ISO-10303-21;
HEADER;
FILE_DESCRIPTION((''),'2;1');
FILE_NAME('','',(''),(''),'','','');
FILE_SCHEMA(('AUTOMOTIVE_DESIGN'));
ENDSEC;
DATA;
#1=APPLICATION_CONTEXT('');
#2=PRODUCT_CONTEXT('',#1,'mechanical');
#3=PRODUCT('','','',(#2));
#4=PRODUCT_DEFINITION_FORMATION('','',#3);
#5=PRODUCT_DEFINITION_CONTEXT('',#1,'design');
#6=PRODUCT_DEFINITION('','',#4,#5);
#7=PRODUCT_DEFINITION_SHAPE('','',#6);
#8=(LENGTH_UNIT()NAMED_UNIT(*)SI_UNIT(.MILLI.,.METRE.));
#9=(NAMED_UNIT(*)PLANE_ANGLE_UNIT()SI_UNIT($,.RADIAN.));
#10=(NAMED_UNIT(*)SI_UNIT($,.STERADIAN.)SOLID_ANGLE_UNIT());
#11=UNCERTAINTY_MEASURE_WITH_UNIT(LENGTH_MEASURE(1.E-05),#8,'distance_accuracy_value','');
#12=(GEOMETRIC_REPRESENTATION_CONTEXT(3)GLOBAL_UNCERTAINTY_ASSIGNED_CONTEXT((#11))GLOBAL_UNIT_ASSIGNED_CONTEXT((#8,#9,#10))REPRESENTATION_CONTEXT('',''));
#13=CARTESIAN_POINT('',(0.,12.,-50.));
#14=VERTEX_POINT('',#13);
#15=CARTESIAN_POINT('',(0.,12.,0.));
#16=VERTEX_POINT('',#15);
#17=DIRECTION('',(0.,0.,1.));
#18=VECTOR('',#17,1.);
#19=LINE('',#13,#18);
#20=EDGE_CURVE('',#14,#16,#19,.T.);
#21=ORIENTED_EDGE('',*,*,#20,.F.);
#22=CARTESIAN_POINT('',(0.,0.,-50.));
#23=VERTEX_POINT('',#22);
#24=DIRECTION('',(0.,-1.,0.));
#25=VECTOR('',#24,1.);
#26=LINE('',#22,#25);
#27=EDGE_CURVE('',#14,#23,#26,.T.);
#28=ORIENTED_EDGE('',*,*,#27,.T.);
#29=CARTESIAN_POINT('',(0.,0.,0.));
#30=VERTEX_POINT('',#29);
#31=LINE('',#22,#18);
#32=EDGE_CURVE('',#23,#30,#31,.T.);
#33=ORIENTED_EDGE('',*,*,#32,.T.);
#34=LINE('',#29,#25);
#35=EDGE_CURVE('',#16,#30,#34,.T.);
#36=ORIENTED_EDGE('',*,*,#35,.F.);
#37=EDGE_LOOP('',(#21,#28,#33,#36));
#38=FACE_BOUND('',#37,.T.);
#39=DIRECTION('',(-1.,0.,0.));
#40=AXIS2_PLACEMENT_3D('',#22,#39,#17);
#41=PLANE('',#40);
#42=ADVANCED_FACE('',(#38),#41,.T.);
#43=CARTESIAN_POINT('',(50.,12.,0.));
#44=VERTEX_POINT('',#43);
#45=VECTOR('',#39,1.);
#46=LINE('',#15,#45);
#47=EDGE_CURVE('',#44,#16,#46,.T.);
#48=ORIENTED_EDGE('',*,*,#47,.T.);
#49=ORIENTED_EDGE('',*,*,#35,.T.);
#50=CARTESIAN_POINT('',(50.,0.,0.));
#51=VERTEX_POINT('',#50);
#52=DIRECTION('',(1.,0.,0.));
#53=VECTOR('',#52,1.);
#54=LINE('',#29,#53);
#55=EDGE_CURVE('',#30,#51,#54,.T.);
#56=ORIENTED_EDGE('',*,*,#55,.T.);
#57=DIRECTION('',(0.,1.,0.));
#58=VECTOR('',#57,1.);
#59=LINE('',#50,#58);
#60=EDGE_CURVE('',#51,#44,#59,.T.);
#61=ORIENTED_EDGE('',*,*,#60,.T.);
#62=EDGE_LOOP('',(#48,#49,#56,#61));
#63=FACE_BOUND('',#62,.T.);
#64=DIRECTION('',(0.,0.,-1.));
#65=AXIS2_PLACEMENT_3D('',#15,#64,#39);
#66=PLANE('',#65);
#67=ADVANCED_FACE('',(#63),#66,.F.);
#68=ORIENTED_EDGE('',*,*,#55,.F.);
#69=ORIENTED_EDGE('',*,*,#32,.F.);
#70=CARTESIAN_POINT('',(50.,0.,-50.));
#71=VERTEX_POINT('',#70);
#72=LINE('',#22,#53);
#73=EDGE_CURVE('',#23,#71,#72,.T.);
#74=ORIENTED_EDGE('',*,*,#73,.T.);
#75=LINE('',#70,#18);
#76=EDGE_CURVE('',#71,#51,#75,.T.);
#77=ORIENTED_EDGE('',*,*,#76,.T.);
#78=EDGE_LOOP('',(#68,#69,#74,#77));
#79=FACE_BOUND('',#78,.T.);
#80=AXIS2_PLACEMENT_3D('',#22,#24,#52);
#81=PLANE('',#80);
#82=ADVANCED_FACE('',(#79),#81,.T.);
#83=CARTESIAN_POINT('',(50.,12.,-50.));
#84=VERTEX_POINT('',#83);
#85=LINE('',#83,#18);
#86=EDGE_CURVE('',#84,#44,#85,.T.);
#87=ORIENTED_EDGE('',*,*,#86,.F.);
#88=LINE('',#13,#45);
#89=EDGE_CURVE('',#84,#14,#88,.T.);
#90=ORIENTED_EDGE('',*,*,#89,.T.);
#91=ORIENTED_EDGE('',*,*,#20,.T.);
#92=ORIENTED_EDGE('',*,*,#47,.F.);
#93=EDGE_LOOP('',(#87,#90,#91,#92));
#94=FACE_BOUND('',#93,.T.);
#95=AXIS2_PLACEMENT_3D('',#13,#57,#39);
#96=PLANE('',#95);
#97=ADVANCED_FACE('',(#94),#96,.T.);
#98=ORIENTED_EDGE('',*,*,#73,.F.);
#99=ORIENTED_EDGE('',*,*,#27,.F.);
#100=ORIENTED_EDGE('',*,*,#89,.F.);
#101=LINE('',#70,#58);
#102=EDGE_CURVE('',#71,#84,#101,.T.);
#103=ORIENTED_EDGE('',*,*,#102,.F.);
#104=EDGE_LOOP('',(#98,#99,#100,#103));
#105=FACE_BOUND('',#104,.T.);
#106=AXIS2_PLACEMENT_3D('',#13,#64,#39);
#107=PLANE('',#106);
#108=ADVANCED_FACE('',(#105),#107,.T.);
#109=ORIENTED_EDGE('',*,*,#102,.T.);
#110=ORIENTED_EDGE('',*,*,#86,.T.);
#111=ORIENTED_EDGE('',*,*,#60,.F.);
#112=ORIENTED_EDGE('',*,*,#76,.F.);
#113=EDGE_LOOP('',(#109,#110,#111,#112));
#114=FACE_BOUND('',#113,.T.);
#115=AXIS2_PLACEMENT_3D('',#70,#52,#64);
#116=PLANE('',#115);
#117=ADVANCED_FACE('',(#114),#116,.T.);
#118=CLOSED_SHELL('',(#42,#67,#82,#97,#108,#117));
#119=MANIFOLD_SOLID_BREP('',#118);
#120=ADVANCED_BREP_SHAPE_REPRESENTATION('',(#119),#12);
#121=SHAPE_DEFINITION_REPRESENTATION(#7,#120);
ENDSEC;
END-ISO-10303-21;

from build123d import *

# Parameters (mm, degrees)
SKETCH1_W          = 50
SKETCH1_H          = 12
BASE_EXTRUDE_DEPTH = 50


with BuildPart() as part:
    # Sketch1 → Base-Extrude (new body)
    with BuildSketch(Plane.XY):
        with Locations((25, 6)):
            Rectangle(SKETCH1_W, SKETCH1_H)
    extrude(amount=-BASE_EXTRUDE_DEPTH)


solid = part.part
